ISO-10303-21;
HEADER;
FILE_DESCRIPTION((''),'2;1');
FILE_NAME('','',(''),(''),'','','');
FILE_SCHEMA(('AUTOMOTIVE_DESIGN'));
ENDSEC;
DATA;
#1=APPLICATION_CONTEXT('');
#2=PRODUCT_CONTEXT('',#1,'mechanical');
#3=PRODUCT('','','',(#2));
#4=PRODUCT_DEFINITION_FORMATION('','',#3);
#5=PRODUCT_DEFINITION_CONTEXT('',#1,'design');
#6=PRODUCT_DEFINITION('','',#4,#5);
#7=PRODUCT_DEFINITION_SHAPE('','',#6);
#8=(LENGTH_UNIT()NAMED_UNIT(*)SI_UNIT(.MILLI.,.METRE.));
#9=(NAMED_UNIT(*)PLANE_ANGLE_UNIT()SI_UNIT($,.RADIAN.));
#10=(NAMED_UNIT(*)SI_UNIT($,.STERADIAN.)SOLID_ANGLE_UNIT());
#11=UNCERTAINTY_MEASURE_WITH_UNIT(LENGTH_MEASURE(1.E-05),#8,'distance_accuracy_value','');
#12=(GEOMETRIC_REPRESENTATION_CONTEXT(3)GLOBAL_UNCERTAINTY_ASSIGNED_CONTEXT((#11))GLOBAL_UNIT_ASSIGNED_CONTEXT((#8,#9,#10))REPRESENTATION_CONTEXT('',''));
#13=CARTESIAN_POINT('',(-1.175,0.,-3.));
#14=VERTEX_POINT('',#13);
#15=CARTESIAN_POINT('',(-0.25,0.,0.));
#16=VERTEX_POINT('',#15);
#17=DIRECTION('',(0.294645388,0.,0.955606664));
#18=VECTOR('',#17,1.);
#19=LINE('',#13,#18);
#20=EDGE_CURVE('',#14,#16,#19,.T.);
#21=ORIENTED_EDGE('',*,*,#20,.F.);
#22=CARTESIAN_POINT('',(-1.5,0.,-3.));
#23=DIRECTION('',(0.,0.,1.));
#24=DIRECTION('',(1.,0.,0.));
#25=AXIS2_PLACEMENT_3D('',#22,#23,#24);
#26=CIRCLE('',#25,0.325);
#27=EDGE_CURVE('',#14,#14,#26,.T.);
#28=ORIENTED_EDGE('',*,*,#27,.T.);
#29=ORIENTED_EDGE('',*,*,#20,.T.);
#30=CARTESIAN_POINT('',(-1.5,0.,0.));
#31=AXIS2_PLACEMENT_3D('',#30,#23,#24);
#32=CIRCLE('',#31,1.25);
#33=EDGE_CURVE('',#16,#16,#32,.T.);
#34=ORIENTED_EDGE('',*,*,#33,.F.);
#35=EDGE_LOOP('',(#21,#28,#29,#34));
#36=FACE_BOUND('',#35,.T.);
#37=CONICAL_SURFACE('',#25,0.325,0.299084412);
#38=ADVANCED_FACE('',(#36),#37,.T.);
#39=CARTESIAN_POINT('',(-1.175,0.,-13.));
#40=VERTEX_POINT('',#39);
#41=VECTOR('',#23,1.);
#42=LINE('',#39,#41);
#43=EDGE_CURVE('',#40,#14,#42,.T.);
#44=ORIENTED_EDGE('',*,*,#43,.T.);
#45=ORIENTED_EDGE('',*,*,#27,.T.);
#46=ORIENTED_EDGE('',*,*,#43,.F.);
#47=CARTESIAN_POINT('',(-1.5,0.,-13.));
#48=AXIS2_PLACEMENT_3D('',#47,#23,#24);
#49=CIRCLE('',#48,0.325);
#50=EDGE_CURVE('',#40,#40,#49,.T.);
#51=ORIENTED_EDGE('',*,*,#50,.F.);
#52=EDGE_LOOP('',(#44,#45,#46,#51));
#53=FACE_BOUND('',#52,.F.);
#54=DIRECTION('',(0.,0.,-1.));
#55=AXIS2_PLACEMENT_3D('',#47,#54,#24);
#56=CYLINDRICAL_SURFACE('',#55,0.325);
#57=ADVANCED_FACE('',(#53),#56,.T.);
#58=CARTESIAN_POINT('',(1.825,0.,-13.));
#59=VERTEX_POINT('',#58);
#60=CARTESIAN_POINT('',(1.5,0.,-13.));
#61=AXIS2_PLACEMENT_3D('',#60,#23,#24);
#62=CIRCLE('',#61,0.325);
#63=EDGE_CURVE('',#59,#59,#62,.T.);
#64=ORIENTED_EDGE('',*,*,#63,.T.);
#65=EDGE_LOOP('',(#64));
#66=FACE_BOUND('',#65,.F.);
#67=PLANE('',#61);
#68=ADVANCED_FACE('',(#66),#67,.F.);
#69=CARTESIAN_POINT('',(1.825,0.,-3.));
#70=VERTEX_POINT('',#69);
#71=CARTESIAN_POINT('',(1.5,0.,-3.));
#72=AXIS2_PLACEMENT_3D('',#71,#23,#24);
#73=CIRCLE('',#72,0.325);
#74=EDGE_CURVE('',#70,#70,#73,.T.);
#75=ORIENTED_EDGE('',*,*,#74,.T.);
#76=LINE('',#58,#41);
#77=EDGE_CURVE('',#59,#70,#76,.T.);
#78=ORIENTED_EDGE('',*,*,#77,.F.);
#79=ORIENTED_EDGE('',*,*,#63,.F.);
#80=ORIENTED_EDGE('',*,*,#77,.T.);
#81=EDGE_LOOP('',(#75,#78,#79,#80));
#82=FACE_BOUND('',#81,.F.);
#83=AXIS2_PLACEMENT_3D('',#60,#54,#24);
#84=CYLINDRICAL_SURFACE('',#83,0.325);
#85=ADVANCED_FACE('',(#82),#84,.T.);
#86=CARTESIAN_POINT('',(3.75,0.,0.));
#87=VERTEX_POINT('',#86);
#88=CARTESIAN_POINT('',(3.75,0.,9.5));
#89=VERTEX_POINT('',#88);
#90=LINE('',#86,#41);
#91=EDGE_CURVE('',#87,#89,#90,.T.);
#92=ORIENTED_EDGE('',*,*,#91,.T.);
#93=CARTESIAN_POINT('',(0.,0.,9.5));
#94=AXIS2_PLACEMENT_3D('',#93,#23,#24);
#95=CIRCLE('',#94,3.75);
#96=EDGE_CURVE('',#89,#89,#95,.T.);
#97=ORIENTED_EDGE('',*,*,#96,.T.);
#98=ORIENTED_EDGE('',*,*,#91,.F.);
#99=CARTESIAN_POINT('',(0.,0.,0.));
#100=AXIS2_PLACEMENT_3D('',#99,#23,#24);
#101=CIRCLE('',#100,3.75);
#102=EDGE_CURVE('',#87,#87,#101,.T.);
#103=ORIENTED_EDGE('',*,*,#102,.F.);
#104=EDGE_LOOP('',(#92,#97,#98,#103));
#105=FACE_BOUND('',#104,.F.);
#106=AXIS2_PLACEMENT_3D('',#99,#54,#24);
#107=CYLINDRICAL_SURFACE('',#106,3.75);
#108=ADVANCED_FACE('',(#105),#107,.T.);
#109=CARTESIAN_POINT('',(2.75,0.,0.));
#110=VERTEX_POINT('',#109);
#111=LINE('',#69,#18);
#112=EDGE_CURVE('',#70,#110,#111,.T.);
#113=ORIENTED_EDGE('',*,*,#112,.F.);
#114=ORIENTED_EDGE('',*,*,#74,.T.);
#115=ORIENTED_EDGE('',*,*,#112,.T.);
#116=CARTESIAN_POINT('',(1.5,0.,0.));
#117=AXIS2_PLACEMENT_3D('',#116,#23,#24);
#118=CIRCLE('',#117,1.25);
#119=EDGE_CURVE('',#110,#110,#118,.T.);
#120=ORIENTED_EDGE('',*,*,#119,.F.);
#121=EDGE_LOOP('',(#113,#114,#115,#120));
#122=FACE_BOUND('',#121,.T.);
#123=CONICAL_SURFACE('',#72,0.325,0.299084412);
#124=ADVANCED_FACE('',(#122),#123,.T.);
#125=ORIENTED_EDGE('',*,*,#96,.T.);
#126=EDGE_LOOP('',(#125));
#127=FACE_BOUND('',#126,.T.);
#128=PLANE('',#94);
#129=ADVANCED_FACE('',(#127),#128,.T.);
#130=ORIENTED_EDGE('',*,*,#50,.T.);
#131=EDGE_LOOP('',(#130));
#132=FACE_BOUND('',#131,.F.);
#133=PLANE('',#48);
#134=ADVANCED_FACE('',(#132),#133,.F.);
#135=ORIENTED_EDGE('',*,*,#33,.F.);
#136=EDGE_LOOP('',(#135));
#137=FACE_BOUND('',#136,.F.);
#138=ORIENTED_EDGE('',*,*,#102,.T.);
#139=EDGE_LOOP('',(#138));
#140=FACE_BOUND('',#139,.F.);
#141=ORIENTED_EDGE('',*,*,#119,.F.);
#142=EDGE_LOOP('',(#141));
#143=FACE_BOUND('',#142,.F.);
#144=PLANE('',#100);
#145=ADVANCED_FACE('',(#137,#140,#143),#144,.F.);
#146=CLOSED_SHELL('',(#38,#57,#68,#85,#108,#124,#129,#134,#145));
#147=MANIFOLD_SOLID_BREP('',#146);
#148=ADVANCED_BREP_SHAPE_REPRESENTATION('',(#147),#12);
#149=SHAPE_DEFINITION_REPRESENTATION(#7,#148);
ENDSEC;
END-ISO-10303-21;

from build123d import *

# Parameters (mm, degrees)
CYLINDER001_R     = 0.325
CYLINDER001_DEPTH = 10
CYLINDER002_R     = 0.325
CYLINDER002_DEPTH = 10
CYLINDER_R        = 3.75
CYLINDER_DEPTH    = 9.5


with BuildPart() as henger001:
    # Cylinder001 → Cylinder001 (new body)
    with BuildSketch(Plane(origin=(-9, 0, -10), x_dir=(1, 0, 0), z_dir=(0, 0, 1))):
        Circle(CYLINDER001_R)
    extrude(amount=CYLINDER001_DEPTH)


with BuildPart() as fusion:
    # Cone → Cone (revolve)
    with BuildSketch(Plane(origin=(-9, 0, 0), x_dir=(1, 0, 0), z_dir=(0, -1, 0))):
        Polygon((0, 0), (0.325, 0), (1.25, 3), (0, 3), align=None)
    revolve(axis=Axis((-9, 0, 0), (0, 0, 1)))

    # Fusion: union Henger001
    add(henger001.part)


with BuildPart() as fusion_1:
    # Fusion placement: moved
    add(fusion.part.moved(Location((10.5, 0, -3))))


with BuildPart() as henger002:
    # Cylinder002 → Cylinder002 (new body)
    with BuildSketch(Plane(origin=(-9, 0, -10), x_dir=(1, 0, 0), z_dir=(0, 0, 1))):
        Circle(CYLINDER002_R)
    extrude(amount=CYLINDER002_DEPTH)


with BuildPart() as fusion001:
    # Cone001 → Cone001 (revolve)
    with BuildSketch(Plane(origin=(-9, 0, 0), x_dir=(1, 0, 0), z_dir=(0, -1, 0))):
        Polygon((0, 0), (0.325, 0), (1.25, 3), (0, 3), align=None)
    revolve(axis=Axis((-9, 0, 0), (0, 0, 1)))

    # Fusion001: union Henger002
    add(henger002.part)


with BuildPart() as fusion001_1:
    # Fusion001 placement: moved
    add(fusion001.part.moved(Location((7.5, 0, -3))))


with BuildPart() as fusion002:
    # Cylinder → Cylinder (new body)
    with BuildSketch(Plane.XY):
        Circle(CYLINDER_R)
    extrude(amount=CYLINDER_DEPTH)

    # Fusion002: union Fusion, Fusion001
    add(fusion_1.part)
    add(fusion001_1.part)


solid = fusion002.part
